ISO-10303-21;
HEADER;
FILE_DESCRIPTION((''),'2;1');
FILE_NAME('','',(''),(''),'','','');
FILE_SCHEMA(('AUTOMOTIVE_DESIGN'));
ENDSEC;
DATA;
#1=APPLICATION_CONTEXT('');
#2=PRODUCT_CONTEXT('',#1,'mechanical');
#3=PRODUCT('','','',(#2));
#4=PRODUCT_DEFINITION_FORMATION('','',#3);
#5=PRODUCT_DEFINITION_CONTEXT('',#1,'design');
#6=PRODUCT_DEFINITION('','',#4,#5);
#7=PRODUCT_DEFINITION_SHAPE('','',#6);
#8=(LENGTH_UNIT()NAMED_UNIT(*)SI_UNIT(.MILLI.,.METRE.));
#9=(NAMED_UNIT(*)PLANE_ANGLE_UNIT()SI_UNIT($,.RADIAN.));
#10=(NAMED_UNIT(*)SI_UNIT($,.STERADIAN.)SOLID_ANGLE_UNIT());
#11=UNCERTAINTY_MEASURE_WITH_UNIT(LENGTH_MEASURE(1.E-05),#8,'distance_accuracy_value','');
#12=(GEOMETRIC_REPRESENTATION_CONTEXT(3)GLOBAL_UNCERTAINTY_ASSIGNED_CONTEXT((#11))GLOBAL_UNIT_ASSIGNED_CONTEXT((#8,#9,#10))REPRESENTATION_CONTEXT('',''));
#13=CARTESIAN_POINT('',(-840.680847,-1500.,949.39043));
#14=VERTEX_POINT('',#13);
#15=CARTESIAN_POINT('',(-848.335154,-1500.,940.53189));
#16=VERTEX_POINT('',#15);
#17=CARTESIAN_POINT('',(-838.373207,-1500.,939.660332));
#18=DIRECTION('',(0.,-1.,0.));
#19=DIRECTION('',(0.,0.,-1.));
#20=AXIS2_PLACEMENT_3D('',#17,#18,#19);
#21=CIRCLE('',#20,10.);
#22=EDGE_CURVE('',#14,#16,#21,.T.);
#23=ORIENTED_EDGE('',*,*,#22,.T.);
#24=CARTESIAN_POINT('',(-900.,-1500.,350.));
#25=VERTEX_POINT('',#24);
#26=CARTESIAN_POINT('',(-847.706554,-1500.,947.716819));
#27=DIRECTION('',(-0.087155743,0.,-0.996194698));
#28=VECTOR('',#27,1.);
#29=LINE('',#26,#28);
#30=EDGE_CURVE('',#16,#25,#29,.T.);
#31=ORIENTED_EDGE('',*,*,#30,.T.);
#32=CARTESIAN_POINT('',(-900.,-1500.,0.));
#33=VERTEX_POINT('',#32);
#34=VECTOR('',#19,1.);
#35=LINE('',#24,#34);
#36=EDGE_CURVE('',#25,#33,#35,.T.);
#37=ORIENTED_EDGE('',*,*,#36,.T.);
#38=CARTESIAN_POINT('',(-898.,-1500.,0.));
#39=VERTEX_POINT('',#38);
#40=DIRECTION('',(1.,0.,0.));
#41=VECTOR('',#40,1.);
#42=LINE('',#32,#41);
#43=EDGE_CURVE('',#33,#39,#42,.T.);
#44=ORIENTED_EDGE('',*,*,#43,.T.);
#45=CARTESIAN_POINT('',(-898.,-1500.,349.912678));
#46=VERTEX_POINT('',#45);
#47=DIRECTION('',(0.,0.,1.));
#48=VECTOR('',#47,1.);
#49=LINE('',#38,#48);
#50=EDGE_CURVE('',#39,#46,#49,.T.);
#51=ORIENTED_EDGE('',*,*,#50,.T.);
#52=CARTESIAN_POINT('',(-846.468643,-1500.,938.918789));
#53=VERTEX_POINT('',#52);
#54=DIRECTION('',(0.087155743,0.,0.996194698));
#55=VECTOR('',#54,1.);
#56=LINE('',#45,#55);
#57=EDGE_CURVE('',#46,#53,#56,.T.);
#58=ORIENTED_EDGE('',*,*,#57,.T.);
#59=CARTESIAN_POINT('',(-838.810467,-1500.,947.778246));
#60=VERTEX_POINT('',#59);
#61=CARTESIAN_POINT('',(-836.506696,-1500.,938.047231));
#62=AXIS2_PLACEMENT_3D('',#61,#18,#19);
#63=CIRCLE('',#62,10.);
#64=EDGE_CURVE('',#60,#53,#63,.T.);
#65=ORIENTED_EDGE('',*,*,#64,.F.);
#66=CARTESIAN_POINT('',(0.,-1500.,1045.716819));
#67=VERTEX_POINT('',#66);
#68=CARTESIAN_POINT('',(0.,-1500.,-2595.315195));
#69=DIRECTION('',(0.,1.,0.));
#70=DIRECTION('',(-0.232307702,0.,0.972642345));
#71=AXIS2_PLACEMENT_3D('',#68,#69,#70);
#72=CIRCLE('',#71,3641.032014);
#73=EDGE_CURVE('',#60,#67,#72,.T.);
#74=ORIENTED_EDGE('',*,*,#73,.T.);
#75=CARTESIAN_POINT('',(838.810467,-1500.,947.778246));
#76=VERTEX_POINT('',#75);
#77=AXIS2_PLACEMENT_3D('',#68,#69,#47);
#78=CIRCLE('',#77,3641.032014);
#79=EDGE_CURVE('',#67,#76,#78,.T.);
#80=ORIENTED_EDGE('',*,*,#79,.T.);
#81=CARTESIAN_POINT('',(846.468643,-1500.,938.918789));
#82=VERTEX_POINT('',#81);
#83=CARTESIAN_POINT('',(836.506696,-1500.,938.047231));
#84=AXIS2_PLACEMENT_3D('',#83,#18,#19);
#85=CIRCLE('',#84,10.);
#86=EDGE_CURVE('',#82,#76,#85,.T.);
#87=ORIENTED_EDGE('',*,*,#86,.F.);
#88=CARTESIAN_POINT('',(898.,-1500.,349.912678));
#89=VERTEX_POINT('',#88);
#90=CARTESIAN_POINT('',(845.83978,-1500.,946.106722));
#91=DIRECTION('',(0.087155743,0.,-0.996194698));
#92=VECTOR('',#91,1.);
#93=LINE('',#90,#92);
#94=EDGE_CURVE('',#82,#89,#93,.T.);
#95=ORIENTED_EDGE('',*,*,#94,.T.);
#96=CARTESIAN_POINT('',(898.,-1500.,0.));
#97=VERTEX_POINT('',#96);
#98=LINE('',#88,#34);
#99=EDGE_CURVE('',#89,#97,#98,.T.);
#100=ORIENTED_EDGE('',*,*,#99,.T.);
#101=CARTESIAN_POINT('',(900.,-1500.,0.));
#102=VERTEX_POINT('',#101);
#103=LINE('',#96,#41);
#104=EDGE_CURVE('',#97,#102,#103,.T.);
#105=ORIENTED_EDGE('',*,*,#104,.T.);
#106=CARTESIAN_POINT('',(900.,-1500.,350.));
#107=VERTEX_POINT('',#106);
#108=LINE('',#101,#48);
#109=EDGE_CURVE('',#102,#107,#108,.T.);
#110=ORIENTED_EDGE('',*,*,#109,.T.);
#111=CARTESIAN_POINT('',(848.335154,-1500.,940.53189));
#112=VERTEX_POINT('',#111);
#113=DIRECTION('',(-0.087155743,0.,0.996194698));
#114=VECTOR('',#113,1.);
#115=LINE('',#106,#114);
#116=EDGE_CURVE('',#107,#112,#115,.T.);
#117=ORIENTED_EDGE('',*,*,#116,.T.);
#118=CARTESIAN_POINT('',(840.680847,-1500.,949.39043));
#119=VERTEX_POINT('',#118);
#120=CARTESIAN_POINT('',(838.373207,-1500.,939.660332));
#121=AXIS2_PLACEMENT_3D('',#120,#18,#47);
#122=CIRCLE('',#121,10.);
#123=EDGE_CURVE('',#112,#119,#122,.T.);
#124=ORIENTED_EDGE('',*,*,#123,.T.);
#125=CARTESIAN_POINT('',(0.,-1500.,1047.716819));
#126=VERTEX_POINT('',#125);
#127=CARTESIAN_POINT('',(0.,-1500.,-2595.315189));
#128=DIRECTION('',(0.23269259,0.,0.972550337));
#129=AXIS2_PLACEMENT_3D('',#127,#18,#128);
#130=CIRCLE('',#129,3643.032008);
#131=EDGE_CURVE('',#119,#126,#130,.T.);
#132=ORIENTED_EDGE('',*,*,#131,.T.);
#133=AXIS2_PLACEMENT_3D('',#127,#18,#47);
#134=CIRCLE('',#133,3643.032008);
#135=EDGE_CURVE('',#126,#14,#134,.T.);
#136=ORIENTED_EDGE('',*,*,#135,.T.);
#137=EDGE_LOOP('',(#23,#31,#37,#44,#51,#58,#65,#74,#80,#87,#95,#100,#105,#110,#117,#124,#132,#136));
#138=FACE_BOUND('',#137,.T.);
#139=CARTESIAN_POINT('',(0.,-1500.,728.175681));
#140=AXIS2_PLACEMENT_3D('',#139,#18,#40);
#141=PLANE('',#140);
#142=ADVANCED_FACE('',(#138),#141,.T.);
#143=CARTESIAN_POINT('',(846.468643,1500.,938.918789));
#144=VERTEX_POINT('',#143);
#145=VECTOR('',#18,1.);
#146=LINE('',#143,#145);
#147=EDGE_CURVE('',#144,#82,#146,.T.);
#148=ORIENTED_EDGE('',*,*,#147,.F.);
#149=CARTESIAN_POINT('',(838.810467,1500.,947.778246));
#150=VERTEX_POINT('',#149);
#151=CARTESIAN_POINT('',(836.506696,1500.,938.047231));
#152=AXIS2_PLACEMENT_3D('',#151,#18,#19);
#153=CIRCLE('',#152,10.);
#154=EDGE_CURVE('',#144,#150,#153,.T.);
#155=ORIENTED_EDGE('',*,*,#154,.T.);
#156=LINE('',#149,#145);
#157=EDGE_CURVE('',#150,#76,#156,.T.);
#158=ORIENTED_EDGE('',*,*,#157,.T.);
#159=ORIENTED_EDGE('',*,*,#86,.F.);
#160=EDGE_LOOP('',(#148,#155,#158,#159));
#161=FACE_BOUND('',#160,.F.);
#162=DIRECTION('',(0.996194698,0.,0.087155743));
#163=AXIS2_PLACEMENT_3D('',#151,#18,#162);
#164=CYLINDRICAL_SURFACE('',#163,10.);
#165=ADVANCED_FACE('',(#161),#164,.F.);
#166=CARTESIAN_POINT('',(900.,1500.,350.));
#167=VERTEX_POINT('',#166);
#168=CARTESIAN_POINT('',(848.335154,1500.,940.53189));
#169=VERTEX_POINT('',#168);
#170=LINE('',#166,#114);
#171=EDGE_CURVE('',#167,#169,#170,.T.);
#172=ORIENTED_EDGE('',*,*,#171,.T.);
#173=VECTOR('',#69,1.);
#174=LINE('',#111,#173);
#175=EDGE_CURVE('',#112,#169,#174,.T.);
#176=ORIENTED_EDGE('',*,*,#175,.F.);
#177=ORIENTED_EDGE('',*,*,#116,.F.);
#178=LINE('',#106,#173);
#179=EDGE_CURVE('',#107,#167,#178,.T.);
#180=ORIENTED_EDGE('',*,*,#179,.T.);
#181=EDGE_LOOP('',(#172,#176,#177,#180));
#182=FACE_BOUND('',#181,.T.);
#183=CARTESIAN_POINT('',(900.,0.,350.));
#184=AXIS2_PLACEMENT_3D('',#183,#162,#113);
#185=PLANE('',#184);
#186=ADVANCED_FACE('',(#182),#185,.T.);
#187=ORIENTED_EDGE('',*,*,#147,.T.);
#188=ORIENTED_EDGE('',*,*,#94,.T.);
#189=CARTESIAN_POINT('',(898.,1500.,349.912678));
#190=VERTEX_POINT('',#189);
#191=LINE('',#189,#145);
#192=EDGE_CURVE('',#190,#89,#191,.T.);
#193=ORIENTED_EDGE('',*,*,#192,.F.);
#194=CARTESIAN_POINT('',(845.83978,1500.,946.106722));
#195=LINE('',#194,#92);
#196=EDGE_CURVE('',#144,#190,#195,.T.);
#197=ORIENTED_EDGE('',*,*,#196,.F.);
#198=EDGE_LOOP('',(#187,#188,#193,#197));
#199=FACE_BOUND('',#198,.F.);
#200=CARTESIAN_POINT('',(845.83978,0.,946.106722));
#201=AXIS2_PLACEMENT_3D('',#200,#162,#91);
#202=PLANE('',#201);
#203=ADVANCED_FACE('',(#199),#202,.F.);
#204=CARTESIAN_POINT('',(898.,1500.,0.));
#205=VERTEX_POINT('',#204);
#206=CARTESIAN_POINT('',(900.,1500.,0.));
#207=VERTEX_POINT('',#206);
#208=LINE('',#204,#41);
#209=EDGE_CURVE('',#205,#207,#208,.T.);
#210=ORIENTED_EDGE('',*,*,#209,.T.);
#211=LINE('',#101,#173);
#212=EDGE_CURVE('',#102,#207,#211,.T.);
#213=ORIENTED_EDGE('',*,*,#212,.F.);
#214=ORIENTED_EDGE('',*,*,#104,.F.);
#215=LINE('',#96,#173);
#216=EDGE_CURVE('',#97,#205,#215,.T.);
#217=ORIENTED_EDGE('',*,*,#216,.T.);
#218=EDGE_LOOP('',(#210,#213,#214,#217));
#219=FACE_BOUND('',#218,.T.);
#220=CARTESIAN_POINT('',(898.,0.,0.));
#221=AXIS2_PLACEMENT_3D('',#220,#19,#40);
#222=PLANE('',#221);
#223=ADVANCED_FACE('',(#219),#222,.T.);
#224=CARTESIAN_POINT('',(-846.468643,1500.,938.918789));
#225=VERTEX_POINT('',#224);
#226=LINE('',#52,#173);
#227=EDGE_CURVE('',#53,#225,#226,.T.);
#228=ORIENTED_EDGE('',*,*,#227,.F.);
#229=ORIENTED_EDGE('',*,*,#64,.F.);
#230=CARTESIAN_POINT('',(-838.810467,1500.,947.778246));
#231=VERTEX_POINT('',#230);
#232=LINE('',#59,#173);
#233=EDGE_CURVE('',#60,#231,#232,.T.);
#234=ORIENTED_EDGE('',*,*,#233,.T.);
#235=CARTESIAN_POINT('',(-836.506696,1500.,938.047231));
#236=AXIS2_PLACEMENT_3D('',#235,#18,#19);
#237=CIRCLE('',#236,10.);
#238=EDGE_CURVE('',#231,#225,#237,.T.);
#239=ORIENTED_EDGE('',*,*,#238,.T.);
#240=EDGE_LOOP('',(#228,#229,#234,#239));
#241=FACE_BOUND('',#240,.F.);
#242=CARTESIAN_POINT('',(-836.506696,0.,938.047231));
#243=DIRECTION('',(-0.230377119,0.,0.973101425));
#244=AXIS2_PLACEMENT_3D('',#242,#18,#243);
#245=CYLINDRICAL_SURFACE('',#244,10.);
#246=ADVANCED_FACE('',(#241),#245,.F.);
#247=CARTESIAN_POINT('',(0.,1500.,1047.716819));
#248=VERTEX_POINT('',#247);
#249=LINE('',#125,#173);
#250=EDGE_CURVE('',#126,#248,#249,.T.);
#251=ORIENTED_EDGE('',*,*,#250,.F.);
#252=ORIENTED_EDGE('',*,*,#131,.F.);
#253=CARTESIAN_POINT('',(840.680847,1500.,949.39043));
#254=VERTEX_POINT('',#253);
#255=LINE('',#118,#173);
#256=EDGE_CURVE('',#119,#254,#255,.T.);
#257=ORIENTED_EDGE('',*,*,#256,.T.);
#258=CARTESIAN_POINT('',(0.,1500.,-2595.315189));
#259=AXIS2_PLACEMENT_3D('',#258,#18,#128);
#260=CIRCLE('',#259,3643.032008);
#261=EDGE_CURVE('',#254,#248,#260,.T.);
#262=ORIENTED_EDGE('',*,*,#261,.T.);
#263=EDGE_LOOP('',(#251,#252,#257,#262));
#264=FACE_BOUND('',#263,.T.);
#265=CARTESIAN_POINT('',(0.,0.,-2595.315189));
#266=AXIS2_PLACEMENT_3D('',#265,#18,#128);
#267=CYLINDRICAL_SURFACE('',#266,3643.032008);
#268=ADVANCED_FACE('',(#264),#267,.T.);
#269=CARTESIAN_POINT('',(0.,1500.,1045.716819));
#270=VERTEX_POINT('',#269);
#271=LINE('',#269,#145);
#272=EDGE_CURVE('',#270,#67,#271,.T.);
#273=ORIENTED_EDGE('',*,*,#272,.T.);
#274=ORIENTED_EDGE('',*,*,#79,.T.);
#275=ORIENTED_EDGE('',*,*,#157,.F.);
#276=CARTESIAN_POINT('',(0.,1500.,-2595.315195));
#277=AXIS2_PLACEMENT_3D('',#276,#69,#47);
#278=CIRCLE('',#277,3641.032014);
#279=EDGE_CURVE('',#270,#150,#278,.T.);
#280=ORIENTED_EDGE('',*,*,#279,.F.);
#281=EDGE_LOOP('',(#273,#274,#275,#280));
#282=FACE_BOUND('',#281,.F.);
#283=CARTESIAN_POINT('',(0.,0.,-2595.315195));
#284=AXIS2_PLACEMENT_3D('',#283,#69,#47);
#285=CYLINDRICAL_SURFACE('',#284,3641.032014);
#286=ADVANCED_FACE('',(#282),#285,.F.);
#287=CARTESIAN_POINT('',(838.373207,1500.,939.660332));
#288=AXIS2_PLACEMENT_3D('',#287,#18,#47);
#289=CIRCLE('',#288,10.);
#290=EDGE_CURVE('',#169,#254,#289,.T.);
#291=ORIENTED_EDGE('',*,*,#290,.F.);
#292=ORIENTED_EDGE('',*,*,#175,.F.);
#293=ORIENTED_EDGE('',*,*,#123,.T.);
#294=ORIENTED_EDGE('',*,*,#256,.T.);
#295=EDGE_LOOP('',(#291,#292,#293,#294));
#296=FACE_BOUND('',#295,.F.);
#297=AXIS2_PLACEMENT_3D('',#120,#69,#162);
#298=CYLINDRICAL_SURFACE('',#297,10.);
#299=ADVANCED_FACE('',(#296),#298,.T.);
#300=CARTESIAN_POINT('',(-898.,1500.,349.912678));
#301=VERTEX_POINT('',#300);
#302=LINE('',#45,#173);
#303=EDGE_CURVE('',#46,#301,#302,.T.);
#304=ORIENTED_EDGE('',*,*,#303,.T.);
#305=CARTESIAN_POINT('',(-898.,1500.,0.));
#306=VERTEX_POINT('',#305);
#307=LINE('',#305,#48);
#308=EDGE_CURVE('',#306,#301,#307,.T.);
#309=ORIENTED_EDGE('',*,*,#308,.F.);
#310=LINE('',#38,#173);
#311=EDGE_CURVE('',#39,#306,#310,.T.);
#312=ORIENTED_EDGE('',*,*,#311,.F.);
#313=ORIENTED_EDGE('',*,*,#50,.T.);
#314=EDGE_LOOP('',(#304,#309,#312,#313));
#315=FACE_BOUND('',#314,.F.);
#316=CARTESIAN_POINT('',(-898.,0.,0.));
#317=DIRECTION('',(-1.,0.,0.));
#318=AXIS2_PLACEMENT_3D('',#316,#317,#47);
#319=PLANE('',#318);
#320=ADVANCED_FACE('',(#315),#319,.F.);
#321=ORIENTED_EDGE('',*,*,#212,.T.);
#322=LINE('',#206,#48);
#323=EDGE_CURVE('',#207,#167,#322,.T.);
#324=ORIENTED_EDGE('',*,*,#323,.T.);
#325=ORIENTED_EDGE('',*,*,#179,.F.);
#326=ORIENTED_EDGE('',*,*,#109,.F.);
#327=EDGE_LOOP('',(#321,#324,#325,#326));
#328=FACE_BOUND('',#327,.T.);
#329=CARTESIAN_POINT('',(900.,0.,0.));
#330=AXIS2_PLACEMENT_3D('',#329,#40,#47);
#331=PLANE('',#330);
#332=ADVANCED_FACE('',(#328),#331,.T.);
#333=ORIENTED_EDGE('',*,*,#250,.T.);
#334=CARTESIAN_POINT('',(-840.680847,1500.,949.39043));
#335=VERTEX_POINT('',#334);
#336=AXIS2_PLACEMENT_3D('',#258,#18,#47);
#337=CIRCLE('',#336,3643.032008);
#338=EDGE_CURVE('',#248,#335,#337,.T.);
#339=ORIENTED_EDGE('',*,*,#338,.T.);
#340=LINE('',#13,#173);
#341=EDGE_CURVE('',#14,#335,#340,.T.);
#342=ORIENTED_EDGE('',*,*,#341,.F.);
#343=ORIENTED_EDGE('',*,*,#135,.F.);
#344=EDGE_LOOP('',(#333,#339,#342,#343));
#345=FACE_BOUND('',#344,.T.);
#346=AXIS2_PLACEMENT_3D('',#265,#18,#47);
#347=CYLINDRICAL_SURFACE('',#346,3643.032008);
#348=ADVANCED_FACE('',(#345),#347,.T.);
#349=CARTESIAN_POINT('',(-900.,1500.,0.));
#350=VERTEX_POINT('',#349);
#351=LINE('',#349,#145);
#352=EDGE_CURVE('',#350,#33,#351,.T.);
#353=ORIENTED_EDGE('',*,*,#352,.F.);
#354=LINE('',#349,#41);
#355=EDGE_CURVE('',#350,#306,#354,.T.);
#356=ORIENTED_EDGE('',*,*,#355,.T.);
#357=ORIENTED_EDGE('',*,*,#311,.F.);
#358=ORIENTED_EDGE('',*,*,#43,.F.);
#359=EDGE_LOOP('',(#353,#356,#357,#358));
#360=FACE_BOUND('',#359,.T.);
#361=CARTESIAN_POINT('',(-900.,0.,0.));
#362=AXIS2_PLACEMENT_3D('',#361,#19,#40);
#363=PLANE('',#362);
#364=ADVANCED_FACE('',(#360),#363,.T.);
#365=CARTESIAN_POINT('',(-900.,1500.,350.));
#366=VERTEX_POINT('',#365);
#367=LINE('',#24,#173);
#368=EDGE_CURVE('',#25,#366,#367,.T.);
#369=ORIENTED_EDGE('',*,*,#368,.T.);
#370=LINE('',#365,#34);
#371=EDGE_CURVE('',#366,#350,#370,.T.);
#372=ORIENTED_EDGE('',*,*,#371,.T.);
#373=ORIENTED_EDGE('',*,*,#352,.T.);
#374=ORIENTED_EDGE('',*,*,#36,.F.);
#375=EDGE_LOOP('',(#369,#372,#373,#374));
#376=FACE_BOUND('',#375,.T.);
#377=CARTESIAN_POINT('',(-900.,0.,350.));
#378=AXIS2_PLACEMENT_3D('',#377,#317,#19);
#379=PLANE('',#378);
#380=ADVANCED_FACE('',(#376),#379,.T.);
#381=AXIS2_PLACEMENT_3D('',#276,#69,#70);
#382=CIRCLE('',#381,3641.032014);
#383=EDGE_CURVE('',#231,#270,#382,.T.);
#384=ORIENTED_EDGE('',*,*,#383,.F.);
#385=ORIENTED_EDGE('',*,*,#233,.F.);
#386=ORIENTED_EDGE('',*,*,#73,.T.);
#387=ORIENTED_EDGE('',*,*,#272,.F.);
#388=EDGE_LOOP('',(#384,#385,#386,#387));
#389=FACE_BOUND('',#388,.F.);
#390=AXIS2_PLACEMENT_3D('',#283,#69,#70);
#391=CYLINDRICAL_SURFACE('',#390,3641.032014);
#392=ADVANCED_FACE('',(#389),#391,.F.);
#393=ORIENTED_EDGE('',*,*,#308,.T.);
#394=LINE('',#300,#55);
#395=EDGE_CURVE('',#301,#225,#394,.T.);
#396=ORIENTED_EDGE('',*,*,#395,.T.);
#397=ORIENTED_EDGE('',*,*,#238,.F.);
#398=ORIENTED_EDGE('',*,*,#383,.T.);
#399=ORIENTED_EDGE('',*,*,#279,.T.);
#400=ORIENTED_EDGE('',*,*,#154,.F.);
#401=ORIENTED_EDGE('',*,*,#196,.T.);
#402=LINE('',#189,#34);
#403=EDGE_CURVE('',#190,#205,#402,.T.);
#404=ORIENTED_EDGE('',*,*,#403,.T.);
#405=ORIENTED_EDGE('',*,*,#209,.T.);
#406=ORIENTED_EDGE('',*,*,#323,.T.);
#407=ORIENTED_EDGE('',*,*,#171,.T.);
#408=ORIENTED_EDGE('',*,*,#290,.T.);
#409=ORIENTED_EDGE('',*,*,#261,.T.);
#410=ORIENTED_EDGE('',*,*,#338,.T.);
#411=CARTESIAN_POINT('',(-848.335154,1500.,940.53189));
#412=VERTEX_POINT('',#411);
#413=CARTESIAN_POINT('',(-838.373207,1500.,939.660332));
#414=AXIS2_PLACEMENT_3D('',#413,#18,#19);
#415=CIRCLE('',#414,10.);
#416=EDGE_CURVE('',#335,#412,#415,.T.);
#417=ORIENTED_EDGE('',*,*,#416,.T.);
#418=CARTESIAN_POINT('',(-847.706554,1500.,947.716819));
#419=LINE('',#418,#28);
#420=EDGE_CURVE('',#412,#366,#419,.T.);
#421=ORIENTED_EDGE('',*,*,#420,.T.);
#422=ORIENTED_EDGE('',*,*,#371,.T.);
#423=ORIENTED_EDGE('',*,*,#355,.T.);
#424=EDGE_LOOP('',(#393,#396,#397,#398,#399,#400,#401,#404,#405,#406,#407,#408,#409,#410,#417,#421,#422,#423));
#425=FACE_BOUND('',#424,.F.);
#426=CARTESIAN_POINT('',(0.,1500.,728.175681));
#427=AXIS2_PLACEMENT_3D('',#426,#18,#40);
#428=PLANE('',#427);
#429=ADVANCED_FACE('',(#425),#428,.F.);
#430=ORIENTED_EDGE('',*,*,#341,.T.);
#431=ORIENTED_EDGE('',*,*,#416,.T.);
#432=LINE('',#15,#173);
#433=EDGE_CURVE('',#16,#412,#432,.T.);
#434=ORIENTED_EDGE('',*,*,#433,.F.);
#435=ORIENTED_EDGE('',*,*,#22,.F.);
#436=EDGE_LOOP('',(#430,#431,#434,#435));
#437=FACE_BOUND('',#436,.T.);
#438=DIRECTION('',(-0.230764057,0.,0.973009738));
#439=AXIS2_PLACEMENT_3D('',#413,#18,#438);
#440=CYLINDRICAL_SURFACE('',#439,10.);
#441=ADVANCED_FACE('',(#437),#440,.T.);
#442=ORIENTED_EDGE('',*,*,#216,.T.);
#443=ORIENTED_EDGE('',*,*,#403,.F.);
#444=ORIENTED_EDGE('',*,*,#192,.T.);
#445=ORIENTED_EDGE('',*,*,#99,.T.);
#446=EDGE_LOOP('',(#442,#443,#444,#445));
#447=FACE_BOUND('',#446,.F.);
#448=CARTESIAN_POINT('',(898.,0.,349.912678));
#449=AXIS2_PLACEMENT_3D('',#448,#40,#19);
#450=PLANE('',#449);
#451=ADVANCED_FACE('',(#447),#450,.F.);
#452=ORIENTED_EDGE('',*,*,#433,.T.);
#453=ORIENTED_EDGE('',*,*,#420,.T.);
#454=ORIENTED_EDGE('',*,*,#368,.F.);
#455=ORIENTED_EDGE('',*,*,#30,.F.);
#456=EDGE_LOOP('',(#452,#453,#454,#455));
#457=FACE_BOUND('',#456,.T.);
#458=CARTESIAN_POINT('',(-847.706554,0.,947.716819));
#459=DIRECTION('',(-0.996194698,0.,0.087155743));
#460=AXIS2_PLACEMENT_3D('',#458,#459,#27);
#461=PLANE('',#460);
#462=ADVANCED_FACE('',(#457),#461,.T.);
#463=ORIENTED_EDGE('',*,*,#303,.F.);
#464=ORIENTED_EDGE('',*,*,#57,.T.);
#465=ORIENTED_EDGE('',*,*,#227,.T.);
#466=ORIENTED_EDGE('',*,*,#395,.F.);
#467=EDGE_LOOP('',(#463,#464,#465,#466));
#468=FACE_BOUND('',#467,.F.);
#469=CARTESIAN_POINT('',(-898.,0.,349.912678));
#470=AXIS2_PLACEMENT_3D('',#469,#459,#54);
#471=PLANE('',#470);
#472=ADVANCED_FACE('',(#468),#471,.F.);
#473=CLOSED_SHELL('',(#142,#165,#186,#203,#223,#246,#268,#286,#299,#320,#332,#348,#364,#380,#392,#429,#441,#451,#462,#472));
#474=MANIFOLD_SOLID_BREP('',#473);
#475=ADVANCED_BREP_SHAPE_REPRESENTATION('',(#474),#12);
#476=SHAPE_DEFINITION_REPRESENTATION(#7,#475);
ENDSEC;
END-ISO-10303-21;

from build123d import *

# Parameters (mm, degrees)
F2_DEPTH      = 1500
F2_DEPTH_BACK = 1500
F3_R          = 10
F4_R          = 10
F5_R          = 10
F6_R          = 10


with BuildPart() as f2:
    # F1 (on Front) → F2 (new body, two sides)
    with BuildSketch(Plane.XZ) as f2_sk:
        with BuildLine():
            Line((-900, 350), (-900, 0))
            Line((-900, 0), (-898, 0))
            Line((-898, 0), (-898, 349.912678))
            Line((-898, 349.912678), (-845.83978, 946.106722))
            ThreePointArc((-845.83978, 946.106722), (-425.842431, 1020.728548), (0, 1045.716819))
            ThreePointArc((0, 1045.716819), (425.842431, 1020.728548), (845.83978, 946.106722))
            Line((845.83978, 946.106722), (898, 349.912678))
            Line((898, 349.912678), (898, 0))
            Line((898, 0), (900, 0))
            Line((900, 0), (900, 350))
            Line((900, 350), (847.706554, 947.716819))
            ThreePointArc((847.706554, 947.716819), (426.792222, 1022.630445), (0, 1047.716819))
            ThreePointArc((0, 1047.716819), (-426.792222, 1022.630445), (-847.706554, 947.716819))
            Line((-847.706554, 947.716819), (-900, 350))
        make_face()
    extrude(amount=F2_DEPTH)
    extrude(f2_sk.sketch, amount=-F2_DEPTH_BACK)

    # F3
    f3_edges = [f2.edges().sort_by_distance(p)[0] for p in [
        (-845.83978, 0, 946.106722),
    ]]
    fillet(f3_edges, radius=F3_R)

    # F4
    f4_edges = [f2.edges().sort_by_distance(p)[0] for p in [
        (-847.706554, 0, 947.716819),
    ]]
    fillet(f4_edges, radius=F4_R)

    # F5
    f5_edges = [f2.edges().sort_by_distance(p)[0] for p in [
        (847.706554, 0, 947.716819),
    ]]
    fillet(f5_edges, radius=F5_R)

    # F6
    f6_edges = [f2.edges().sort_by_distance(p)[0] for p in [
        (845.83978, 0, 946.106722),
    ]]
    fillet(f6_edges, radius=F6_R)


solid = f2.part
